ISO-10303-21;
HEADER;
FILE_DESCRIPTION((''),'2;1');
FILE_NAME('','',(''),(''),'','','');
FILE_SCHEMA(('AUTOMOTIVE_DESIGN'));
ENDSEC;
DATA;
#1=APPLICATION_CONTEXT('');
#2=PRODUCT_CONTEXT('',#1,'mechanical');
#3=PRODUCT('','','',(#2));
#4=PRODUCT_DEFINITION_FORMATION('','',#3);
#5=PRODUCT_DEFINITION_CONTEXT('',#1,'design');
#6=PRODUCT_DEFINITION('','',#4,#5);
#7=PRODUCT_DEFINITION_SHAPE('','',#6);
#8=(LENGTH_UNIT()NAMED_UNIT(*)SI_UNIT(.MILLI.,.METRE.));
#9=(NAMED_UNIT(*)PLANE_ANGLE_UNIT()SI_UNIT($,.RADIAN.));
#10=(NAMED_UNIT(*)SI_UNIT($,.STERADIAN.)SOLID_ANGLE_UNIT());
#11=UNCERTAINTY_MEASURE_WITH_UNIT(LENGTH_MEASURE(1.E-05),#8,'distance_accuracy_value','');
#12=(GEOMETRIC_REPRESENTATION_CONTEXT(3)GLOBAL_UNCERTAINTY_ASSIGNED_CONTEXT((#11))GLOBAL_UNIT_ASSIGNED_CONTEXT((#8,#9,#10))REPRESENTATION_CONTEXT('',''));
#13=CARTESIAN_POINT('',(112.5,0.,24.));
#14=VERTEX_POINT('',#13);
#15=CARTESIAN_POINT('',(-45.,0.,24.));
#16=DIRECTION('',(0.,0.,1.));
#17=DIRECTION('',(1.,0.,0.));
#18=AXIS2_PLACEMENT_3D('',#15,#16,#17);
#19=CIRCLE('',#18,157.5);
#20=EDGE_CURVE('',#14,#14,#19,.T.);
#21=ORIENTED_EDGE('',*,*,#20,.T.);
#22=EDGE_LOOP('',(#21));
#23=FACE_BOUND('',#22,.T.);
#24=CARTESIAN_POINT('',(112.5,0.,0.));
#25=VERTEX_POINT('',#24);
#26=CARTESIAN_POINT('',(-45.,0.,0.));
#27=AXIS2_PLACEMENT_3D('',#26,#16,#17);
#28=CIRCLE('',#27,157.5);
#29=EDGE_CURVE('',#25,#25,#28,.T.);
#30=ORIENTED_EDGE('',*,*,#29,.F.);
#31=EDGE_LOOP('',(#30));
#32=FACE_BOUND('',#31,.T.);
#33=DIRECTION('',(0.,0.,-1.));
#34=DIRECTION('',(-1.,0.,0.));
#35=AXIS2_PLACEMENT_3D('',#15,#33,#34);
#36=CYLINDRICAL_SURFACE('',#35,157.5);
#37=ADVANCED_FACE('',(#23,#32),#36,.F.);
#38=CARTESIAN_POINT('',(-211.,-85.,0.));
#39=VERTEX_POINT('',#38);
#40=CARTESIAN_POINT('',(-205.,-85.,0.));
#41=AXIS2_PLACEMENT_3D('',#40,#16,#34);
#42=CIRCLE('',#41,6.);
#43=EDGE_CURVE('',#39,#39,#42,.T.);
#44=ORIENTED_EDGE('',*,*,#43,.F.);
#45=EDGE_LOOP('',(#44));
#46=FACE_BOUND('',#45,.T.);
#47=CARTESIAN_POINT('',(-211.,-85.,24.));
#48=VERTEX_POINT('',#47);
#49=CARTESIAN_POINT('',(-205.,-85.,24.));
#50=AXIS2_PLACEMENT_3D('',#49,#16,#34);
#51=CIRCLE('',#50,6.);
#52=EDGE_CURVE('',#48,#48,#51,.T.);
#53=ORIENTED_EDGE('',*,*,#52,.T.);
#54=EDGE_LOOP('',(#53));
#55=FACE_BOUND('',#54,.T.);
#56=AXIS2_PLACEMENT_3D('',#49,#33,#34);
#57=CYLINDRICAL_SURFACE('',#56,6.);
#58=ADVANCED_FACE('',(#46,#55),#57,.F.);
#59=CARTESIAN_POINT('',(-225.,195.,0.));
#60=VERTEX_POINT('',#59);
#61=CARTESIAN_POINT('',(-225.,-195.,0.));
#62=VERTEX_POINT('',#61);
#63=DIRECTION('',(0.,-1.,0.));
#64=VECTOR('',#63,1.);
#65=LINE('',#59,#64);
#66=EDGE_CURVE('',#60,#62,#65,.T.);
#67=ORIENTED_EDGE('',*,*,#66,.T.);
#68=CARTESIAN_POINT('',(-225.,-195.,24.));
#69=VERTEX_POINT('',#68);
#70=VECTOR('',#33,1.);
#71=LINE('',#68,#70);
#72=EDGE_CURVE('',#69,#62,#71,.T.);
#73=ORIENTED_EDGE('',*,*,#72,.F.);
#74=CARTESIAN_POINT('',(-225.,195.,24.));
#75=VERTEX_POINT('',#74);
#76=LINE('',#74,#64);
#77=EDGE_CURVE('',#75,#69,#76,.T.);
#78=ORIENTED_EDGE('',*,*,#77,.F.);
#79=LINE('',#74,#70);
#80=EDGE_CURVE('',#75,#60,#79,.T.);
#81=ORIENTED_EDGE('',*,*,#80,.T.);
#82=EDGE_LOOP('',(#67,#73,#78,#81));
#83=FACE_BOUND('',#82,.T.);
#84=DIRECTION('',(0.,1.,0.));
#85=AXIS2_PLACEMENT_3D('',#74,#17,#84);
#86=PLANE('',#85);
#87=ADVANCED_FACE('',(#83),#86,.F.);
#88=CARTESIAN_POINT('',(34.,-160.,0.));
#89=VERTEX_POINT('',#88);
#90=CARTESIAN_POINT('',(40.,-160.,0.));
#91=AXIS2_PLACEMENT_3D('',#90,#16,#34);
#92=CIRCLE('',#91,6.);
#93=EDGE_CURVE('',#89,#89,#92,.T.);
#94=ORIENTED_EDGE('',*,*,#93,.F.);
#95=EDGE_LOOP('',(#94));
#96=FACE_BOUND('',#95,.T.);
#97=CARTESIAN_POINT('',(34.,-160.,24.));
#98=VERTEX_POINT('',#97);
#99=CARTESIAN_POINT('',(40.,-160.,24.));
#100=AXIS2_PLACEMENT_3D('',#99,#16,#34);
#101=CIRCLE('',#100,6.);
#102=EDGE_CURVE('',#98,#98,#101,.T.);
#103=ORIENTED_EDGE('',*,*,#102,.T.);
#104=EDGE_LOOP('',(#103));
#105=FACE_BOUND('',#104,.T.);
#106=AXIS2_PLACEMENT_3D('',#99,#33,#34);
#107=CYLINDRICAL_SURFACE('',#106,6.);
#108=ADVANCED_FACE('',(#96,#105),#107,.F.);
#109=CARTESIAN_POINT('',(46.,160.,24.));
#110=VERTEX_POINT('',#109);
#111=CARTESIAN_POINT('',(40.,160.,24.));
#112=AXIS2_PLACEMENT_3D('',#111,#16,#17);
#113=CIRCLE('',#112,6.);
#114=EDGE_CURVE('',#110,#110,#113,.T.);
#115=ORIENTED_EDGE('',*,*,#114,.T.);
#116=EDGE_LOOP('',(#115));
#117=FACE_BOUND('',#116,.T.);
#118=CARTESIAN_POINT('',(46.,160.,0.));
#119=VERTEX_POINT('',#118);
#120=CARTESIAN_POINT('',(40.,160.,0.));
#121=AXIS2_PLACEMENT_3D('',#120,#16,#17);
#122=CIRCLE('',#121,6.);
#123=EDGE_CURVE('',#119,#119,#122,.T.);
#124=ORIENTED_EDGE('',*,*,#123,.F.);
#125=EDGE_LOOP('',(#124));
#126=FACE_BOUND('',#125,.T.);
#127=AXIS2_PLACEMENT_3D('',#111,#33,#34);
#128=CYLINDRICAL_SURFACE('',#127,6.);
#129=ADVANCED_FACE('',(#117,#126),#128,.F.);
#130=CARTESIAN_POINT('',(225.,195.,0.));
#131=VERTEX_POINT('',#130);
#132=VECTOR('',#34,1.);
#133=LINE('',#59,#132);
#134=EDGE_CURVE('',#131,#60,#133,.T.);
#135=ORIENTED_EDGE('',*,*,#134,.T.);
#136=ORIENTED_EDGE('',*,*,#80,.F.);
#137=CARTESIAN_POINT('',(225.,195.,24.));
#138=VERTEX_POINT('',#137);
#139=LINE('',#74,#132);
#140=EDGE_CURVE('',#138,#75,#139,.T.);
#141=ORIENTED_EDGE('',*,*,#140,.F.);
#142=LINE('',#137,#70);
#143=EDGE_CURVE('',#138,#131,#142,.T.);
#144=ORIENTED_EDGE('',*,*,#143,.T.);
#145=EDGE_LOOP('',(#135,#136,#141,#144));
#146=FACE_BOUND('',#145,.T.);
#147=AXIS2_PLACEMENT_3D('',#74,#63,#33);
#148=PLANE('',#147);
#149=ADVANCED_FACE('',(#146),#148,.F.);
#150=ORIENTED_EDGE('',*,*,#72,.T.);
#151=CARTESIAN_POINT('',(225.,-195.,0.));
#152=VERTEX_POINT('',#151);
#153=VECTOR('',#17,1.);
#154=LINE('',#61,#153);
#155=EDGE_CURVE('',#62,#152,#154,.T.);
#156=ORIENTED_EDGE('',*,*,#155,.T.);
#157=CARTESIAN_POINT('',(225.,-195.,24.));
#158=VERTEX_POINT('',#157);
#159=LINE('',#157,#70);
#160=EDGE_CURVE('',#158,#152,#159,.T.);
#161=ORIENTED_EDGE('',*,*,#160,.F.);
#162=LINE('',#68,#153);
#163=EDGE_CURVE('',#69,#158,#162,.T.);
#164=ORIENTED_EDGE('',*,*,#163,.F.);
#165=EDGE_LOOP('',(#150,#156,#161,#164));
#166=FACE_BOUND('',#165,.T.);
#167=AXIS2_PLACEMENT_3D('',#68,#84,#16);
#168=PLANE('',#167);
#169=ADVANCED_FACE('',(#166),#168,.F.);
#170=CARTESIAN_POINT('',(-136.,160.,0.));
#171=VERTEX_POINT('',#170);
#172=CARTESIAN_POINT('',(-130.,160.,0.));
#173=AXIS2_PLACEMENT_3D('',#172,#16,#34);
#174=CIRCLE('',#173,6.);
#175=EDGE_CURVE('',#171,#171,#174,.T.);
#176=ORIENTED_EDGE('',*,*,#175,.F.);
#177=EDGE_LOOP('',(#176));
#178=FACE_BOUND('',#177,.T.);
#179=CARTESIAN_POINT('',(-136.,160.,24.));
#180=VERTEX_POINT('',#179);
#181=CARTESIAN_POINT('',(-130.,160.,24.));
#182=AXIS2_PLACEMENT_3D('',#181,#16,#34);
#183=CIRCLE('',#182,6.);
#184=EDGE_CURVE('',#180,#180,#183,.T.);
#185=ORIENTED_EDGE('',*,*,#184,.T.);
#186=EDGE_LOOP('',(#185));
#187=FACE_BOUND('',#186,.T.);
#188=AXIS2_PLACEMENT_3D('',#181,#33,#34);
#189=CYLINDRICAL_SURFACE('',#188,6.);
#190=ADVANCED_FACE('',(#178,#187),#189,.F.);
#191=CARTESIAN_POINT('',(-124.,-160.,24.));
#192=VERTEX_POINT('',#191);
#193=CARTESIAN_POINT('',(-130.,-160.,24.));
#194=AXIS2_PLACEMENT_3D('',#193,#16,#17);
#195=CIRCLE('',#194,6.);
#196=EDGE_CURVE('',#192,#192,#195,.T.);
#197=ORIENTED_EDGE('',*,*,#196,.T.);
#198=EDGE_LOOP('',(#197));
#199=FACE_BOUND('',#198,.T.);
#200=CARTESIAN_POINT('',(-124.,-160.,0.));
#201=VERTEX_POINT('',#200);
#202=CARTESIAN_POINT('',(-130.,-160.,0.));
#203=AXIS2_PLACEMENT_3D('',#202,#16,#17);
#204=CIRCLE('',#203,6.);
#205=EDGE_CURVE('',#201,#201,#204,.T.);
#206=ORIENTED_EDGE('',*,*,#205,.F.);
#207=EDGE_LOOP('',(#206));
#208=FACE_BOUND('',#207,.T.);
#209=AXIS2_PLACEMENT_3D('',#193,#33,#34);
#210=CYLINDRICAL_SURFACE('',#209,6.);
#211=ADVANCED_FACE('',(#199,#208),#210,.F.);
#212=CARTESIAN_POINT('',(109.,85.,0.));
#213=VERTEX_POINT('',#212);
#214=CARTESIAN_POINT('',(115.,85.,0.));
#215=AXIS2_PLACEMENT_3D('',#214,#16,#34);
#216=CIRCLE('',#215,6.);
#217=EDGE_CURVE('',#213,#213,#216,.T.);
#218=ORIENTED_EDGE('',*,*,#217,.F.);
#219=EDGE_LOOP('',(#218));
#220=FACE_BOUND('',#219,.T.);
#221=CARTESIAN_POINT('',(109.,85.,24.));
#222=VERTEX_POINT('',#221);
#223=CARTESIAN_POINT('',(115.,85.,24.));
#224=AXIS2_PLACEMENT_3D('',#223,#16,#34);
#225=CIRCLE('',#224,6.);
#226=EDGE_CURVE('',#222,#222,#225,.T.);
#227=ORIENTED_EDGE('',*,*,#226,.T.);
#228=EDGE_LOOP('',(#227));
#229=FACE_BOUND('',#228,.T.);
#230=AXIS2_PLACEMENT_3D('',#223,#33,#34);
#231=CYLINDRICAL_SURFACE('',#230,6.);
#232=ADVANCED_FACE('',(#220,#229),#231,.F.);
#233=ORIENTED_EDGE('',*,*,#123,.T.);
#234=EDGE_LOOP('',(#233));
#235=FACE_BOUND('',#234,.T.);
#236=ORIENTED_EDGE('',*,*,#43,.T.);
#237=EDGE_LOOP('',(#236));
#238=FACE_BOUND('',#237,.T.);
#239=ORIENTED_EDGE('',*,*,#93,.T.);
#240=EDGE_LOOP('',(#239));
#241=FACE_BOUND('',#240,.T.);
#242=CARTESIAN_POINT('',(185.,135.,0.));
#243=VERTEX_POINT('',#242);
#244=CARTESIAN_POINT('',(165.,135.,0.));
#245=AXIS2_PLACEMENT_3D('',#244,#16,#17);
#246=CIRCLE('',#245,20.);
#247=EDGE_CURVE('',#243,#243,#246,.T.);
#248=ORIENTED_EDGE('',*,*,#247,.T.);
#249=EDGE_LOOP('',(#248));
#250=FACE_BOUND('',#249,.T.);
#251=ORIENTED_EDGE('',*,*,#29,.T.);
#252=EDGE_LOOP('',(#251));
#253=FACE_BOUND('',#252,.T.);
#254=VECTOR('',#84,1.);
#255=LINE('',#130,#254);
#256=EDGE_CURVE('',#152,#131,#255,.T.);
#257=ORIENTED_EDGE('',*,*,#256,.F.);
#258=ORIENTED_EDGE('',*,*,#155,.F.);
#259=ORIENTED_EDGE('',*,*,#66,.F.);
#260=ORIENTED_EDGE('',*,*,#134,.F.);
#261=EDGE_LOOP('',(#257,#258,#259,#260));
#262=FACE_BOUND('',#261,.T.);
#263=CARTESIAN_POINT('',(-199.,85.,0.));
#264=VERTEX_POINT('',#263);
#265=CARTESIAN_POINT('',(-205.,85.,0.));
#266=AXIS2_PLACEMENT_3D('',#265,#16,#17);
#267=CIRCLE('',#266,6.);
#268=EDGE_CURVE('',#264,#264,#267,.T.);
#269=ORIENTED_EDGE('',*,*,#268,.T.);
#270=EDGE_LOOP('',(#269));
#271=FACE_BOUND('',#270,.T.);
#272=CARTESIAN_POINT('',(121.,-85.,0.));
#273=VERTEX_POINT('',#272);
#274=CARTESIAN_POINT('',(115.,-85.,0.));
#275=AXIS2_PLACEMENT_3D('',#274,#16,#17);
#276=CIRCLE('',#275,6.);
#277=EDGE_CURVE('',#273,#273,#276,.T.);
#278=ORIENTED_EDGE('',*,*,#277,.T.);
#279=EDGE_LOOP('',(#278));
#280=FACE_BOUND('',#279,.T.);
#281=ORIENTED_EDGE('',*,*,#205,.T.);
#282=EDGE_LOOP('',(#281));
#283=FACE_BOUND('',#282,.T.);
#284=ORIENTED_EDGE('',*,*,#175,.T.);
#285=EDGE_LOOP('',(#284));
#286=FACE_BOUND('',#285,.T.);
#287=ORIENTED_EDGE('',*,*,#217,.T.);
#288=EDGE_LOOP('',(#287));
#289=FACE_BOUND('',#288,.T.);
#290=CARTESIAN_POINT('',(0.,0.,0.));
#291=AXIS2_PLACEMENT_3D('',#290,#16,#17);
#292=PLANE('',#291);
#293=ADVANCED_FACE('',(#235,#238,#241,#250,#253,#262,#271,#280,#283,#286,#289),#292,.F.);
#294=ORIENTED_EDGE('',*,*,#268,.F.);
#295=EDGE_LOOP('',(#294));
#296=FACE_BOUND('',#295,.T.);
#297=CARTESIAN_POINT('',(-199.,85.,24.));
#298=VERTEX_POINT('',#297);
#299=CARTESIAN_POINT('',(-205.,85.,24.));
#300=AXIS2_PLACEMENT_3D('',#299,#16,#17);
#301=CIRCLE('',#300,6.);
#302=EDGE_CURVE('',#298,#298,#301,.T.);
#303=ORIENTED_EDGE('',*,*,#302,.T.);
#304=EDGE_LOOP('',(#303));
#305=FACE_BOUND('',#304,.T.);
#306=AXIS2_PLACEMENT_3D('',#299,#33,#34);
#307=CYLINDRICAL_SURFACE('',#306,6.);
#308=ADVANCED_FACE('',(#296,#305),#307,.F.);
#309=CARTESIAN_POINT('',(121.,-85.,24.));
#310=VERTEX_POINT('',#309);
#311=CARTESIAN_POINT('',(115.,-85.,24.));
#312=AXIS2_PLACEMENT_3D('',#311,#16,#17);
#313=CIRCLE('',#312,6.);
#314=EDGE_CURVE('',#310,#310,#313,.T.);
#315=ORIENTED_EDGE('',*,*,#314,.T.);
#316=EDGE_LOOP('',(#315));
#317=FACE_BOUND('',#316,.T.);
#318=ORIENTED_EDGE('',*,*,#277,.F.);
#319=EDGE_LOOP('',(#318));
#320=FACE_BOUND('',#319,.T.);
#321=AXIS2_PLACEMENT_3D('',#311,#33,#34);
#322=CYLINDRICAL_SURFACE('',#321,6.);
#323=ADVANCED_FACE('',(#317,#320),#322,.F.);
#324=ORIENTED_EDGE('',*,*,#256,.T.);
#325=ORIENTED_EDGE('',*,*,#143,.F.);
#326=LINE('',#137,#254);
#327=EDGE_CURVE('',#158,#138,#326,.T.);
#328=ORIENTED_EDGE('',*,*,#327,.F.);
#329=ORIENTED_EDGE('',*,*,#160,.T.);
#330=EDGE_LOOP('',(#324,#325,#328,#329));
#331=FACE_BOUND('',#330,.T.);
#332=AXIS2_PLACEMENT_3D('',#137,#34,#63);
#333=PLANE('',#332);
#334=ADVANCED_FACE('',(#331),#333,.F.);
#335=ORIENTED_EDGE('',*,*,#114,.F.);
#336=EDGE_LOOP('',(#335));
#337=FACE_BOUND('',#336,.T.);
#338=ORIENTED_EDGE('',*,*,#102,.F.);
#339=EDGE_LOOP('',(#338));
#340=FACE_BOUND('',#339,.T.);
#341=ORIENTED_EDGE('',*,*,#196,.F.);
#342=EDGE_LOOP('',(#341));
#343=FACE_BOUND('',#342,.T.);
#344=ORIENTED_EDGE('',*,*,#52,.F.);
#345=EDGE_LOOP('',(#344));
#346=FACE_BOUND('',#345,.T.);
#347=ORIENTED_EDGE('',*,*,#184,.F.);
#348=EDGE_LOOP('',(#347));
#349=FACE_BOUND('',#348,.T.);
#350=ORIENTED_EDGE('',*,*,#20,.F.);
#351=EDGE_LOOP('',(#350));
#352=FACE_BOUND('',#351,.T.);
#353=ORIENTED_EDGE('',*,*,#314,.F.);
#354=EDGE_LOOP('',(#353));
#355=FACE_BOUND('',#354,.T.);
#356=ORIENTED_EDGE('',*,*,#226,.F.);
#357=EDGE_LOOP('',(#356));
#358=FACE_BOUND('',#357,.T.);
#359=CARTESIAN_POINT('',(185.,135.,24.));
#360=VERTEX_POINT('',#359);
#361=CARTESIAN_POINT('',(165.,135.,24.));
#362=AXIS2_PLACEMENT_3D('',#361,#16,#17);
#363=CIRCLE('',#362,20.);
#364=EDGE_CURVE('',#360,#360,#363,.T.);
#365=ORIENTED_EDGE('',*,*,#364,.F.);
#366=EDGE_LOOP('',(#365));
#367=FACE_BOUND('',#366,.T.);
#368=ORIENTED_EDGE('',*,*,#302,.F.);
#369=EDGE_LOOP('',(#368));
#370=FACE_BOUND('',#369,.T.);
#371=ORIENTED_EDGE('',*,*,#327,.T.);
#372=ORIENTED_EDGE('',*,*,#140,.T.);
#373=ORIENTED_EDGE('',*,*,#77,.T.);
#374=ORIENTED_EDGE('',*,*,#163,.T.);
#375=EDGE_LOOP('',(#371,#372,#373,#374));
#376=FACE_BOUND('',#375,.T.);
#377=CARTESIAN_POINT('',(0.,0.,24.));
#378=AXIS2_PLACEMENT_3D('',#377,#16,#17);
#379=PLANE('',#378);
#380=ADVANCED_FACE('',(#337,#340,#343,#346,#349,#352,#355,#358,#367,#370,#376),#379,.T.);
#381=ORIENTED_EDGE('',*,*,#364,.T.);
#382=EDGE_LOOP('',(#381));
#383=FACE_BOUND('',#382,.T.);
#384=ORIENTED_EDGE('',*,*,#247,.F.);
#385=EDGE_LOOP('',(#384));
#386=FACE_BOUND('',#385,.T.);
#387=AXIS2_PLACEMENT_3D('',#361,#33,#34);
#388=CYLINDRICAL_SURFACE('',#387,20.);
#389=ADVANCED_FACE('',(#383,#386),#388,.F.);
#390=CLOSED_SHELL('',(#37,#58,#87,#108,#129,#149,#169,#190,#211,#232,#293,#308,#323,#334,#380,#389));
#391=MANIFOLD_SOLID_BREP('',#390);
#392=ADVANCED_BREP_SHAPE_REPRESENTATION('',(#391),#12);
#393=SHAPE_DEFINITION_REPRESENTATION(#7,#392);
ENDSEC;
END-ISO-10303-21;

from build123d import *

# Parameters (mm, degrees)
SKETCH_1_W      = 450
SKETCH_1_H      = 390
SKETCH_1_R      = 157.5
SKETCH_1_R_2    = 6
SKETCH_1_R_3    = 20
EXTRUDE_1_DEPTH = 24


with BuildPart() as part:
    # 草图1 → 凸台-拉伸1 (new body)
    with BuildSketch(Plane.XY):
        Rectangle(SKETCH_1_W, SKETCH_1_H)
        with Locations((-45, 0)):
            Circle(SKETCH_1_R, mode=Mode.SUBTRACT)
        with Locations((-205, 85)):
            Circle(SKETCH_1_R_2, mode=Mode.SUBTRACT)
        with Locations(Location((-205, -85, 0), (0, 0, 180))):
            Circle(SKETCH_1_R_2, mode=Mode.SUBTRACT)
        with Locations((40, 160)):
            Circle(SKETCH_1_R_2, mode=Mode.SUBTRACT)
        with Locations(Location((-130, 160, 0), (0, 0, 180))):
            Circle(SKETCH_1_R_2, mode=Mode.SUBTRACT)
        with Locations((115, -85)):
            Circle(SKETCH_1_R_2, mode=Mode.SUBTRACT)
        with Locations(Location((115, 85, 0), (0, 0, 180))):
            Circle(SKETCH_1_R_2, mode=Mode.SUBTRACT)
        with Locations((-130, -160)):
            Circle(SKETCH_1_R_2, mode=Mode.SUBTRACT)
        with Locations(Location((40, -160, 0), (0, 0, 180))):
            Circle(SKETCH_1_R_2, mode=Mode.SUBTRACT)
        with Locations((165, 135)):
            Circle(SKETCH_1_R_3, mode=Mode.SUBTRACT)
    extrude(amount=EXTRUDE_1_DEPTH)


solid = part.part
